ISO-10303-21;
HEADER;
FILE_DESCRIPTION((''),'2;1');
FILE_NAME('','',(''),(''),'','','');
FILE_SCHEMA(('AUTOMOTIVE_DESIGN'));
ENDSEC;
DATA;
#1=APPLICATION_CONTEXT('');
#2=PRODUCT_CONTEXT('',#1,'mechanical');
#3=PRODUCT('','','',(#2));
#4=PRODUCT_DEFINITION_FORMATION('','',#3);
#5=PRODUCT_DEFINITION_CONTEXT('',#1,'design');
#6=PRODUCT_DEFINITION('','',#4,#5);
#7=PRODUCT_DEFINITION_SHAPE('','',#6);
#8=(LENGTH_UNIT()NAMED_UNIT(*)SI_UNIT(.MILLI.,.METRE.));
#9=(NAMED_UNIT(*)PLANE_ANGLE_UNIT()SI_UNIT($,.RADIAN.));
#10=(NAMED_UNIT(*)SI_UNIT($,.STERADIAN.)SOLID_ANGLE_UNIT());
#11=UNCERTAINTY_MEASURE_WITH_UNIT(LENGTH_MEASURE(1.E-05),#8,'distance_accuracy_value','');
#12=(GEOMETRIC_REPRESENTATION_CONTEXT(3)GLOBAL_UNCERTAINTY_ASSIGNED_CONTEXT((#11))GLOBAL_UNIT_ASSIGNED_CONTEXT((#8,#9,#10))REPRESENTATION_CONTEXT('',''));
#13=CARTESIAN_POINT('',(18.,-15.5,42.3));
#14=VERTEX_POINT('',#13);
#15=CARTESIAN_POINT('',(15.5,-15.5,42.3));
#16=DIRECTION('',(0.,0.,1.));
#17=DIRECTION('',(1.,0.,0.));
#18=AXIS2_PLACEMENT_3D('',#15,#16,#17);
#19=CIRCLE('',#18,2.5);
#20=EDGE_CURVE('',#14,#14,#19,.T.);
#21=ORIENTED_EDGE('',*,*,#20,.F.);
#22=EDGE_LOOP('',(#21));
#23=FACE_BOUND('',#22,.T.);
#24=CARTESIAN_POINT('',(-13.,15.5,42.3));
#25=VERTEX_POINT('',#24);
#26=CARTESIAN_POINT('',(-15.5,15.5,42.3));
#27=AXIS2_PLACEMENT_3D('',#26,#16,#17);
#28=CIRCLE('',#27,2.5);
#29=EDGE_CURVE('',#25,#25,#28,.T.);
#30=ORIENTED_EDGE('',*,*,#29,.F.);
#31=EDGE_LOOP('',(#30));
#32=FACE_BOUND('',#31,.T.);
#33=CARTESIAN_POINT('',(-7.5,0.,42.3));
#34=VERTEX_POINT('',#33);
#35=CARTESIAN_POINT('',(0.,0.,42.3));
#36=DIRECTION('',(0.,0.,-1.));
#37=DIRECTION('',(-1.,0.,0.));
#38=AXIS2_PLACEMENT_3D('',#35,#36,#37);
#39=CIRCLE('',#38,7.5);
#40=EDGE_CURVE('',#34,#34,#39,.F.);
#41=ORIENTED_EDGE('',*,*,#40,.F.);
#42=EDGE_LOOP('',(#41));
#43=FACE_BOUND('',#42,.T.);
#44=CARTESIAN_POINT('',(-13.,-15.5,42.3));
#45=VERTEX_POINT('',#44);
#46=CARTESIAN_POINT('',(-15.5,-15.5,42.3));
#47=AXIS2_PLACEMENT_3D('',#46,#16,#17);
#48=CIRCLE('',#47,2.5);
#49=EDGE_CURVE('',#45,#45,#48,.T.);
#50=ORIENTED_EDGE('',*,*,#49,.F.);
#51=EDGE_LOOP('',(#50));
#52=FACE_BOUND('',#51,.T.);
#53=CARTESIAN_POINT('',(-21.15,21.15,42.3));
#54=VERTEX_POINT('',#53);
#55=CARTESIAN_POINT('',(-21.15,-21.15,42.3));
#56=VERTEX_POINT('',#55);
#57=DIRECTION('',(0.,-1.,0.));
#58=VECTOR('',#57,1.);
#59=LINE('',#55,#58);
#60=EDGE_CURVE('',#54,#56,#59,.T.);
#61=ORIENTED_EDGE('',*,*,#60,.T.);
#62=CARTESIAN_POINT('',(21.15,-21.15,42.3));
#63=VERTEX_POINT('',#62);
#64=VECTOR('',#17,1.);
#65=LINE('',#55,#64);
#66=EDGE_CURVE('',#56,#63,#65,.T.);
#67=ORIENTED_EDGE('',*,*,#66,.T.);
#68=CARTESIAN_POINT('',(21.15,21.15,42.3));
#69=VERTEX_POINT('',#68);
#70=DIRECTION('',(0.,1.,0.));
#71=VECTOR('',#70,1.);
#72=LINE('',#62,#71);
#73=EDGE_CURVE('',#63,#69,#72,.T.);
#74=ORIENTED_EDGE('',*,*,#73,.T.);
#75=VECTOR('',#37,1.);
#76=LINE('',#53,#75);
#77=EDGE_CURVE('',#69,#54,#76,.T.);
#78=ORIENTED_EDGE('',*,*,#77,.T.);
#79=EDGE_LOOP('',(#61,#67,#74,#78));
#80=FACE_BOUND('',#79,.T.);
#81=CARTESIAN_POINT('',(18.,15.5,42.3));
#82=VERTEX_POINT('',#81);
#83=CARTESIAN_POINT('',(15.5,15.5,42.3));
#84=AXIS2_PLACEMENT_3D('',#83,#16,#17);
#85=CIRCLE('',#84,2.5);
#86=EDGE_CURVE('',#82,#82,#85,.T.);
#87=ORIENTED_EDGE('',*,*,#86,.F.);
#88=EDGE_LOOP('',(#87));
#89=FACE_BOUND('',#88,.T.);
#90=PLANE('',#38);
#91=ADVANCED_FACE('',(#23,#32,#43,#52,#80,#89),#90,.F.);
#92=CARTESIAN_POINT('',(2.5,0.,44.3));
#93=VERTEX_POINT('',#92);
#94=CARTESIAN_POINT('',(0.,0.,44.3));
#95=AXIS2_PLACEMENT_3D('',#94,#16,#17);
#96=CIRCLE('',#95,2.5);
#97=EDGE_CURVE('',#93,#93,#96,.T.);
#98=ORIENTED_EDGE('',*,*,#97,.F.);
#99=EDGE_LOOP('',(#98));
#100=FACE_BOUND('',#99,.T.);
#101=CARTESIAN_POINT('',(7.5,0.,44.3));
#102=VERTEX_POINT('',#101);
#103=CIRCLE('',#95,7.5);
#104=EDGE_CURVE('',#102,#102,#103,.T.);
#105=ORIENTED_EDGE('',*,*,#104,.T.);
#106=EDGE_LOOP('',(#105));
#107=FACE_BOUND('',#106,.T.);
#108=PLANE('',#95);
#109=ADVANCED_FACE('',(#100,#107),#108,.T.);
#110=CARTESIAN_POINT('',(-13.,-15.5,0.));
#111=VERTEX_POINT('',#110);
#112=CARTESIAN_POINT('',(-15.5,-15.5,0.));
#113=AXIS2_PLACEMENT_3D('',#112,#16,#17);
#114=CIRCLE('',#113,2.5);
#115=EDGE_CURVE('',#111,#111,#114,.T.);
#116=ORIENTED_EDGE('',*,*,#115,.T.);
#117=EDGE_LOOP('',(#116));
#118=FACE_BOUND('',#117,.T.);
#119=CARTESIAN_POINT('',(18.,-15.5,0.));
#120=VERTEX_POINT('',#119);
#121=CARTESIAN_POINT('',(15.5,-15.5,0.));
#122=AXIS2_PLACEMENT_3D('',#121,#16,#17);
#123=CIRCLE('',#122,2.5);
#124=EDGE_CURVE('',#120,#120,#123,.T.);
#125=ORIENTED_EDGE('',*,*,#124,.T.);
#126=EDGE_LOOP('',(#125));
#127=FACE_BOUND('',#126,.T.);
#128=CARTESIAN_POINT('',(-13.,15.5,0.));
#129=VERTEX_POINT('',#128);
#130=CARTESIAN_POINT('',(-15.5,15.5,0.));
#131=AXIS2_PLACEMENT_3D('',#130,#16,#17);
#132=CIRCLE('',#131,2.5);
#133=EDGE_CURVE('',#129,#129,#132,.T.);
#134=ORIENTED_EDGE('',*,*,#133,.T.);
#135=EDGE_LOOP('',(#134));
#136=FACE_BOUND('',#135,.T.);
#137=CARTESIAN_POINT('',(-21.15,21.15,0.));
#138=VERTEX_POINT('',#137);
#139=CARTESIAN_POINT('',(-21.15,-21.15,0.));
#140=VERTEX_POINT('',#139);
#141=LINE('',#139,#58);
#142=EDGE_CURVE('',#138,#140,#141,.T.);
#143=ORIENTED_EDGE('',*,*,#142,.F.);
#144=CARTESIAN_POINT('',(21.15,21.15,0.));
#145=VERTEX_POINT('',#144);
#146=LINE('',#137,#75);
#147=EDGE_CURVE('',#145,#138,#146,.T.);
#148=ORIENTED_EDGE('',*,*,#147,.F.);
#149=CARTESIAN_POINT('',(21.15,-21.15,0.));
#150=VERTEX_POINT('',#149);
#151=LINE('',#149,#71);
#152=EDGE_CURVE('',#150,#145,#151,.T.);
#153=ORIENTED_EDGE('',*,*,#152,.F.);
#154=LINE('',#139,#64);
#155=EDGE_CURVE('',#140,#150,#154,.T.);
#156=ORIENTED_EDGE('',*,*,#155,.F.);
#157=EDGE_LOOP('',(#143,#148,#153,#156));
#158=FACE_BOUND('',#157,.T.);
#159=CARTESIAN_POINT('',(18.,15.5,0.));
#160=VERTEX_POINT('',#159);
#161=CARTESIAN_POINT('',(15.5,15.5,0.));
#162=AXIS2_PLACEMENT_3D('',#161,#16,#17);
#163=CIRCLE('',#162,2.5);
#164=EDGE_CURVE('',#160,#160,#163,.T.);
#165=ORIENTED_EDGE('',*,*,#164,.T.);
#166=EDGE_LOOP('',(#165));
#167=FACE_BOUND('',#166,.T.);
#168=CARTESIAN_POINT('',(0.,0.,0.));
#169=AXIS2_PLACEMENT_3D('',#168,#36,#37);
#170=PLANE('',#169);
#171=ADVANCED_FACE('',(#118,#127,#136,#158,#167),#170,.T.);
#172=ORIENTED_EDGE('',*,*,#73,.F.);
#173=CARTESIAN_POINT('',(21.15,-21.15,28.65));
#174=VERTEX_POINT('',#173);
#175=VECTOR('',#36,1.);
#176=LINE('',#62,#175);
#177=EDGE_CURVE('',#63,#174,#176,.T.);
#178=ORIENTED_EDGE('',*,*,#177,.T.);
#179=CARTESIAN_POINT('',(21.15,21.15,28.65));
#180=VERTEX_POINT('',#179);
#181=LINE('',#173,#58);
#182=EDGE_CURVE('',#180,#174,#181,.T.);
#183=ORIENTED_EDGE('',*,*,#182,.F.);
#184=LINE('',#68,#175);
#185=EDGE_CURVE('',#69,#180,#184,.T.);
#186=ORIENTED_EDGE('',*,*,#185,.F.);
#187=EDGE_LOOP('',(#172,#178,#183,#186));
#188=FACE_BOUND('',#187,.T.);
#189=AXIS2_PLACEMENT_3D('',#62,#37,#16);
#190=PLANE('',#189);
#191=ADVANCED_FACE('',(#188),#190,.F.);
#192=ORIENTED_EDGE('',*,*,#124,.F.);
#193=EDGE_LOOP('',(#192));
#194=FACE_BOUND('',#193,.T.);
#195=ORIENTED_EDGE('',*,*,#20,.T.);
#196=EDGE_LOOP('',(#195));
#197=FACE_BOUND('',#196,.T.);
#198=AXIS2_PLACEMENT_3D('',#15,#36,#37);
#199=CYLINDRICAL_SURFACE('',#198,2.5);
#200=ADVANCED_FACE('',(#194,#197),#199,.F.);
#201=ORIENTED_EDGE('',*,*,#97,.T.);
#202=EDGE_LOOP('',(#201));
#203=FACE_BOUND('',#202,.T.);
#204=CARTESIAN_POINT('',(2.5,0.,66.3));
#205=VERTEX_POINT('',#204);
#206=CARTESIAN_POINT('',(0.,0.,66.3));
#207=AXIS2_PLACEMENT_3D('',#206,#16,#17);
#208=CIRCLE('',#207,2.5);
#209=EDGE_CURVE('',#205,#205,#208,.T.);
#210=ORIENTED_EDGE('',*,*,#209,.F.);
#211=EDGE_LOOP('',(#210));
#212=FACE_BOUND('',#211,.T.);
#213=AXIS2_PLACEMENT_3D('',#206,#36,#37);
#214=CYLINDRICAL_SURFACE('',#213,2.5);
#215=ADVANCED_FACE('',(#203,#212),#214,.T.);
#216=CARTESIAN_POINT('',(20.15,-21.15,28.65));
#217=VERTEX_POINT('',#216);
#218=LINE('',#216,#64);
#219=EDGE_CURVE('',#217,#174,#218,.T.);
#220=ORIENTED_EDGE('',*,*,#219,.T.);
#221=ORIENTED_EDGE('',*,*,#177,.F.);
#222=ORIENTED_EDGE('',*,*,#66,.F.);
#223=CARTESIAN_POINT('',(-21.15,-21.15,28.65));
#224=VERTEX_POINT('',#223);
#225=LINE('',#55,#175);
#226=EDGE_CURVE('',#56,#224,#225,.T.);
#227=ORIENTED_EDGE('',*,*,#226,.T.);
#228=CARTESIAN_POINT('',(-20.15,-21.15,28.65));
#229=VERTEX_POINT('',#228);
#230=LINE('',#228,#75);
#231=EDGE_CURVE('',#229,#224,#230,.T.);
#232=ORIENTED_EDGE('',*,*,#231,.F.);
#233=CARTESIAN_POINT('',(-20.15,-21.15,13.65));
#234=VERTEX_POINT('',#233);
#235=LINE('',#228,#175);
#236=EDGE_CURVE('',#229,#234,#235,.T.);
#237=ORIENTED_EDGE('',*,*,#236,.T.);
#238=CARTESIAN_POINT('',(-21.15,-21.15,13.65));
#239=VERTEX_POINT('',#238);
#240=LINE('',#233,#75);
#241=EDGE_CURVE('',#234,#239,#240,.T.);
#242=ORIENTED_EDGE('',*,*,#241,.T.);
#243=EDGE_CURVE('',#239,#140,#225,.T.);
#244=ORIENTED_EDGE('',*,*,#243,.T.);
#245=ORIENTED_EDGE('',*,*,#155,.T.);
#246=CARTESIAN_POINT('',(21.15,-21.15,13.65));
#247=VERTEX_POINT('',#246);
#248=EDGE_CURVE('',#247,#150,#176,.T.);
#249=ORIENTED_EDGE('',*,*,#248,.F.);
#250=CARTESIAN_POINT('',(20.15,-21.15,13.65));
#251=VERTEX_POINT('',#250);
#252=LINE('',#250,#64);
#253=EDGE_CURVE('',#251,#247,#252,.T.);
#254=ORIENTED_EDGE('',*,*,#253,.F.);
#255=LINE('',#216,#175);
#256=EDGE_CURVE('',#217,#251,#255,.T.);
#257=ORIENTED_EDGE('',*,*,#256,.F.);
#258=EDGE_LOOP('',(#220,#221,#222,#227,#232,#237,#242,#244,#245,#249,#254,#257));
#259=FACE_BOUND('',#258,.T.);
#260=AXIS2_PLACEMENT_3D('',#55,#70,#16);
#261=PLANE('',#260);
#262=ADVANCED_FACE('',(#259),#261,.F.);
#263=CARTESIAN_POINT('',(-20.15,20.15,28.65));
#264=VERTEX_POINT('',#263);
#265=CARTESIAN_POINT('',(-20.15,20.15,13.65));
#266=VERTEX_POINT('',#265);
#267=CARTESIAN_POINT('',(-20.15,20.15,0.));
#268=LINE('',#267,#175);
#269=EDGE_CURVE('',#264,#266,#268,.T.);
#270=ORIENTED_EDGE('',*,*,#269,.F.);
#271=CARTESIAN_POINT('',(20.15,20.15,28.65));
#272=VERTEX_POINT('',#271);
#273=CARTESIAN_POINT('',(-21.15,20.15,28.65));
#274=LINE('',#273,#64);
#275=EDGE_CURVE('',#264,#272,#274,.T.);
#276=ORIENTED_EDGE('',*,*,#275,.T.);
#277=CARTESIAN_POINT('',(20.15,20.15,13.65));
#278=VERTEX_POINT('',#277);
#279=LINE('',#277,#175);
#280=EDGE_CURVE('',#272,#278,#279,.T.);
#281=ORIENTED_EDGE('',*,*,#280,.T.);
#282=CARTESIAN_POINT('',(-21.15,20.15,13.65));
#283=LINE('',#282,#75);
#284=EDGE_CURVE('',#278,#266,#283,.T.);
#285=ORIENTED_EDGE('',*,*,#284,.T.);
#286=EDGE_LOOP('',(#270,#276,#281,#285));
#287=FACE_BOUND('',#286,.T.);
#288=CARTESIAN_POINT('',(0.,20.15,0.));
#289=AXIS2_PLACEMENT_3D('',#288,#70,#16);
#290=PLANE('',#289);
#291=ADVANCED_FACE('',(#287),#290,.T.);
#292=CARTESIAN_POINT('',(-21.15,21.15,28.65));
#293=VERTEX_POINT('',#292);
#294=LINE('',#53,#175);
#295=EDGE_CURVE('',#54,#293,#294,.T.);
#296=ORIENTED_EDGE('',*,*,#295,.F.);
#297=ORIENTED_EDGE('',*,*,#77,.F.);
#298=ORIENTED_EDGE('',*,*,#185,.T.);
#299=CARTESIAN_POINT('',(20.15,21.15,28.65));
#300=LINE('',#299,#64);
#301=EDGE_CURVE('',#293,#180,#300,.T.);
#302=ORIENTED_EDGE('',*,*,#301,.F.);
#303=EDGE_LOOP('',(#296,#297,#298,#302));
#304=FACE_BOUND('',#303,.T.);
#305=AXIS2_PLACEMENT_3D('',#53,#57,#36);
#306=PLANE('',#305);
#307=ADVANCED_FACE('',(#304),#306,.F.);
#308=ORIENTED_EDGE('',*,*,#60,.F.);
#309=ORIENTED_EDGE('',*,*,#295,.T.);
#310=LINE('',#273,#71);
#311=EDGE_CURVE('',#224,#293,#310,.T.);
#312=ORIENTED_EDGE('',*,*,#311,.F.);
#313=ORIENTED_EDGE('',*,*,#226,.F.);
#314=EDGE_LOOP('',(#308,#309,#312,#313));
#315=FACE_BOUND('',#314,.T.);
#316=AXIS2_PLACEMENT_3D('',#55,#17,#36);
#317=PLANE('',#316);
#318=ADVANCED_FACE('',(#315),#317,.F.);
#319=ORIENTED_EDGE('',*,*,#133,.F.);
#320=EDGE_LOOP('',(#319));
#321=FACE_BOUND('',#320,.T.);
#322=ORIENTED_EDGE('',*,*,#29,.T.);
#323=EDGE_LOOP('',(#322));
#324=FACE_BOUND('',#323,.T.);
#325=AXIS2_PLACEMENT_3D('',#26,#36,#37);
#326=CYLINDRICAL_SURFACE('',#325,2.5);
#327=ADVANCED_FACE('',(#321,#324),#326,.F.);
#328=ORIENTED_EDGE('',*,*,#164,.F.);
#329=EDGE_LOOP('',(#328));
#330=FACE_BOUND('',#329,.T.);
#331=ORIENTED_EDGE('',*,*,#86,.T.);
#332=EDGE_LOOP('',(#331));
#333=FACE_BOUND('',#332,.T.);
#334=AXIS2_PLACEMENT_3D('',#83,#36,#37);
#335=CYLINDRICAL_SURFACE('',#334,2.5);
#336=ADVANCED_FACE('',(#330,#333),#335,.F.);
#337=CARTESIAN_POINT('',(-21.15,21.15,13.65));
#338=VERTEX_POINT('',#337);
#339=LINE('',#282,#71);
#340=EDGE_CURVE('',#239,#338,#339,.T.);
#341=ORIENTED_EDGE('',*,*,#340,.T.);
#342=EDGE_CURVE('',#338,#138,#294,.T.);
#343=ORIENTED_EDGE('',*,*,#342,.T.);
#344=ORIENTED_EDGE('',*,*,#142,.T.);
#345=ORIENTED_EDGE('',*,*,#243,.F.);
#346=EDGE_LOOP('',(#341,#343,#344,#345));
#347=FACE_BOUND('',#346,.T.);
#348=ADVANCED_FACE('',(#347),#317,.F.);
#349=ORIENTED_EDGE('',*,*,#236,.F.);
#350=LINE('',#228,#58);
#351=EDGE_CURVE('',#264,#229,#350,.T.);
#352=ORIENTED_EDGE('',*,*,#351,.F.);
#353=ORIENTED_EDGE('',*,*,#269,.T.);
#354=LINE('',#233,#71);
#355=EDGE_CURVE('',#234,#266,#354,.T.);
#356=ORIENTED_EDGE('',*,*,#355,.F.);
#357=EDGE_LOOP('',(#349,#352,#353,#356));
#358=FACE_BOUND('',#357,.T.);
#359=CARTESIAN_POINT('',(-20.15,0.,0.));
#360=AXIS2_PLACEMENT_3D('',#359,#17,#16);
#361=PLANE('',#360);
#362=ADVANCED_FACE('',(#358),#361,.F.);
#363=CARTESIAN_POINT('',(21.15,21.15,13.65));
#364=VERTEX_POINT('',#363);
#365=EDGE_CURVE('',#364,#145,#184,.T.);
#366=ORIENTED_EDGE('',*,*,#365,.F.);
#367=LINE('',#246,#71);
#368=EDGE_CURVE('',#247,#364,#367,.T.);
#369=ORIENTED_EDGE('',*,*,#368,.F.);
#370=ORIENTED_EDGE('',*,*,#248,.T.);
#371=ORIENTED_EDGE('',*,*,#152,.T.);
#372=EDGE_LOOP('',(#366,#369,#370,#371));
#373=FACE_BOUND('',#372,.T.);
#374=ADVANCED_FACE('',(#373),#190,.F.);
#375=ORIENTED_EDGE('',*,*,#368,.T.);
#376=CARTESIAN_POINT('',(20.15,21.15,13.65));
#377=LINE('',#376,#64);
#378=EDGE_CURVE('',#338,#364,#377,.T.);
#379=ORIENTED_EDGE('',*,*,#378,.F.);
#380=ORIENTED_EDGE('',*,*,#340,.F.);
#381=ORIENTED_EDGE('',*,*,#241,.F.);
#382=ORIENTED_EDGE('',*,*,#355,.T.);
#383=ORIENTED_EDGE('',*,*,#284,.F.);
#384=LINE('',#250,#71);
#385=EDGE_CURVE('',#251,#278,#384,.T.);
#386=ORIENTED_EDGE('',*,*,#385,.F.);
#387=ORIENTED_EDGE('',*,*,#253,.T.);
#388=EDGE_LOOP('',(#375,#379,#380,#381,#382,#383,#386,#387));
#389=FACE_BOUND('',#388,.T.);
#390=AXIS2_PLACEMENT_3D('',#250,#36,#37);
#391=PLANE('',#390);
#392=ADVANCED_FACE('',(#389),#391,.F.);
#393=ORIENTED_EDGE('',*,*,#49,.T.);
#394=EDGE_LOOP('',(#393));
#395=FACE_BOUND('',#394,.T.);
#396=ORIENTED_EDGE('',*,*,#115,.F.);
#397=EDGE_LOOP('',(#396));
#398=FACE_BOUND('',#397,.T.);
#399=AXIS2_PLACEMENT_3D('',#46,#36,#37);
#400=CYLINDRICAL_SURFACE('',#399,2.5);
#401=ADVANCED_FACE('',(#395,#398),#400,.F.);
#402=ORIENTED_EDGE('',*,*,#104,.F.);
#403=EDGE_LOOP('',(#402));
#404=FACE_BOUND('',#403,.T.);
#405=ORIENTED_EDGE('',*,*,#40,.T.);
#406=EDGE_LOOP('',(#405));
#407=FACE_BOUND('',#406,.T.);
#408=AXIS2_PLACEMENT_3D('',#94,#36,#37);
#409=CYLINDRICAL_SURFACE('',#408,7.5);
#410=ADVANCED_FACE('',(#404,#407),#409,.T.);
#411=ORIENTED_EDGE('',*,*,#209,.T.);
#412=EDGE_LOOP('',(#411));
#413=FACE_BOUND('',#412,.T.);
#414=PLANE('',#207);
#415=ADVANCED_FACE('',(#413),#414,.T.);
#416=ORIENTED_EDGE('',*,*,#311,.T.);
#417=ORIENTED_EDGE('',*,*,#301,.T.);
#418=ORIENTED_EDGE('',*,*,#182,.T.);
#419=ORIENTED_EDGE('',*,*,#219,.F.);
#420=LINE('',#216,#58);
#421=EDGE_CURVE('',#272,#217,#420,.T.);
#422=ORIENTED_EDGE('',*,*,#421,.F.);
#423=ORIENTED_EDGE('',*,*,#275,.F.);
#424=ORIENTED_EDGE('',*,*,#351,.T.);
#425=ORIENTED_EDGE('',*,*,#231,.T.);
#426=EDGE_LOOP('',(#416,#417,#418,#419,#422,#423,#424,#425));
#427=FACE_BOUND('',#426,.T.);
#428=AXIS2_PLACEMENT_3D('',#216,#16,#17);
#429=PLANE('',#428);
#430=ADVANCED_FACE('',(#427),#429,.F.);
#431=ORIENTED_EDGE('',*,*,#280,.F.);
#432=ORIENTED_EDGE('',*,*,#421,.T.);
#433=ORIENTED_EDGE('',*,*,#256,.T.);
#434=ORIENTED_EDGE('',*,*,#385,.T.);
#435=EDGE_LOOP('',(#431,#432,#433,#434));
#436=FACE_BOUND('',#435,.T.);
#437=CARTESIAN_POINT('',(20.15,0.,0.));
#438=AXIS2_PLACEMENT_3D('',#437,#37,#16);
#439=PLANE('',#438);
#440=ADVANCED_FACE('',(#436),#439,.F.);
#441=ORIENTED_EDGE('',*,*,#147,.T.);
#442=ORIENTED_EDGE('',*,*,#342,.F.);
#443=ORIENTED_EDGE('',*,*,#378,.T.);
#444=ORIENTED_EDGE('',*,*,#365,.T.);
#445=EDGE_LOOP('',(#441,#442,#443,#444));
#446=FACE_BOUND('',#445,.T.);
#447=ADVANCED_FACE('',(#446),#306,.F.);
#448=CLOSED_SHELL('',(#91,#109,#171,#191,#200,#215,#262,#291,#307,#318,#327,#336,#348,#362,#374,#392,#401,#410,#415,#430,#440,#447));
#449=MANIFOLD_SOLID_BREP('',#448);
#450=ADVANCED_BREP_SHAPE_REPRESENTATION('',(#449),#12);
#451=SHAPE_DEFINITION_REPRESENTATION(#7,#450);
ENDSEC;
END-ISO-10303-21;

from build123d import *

# Parameters (mm, degrees)
SKETCH1_W           = 42.3
SKETCH1_H           = 42.3
SKETCH1_R           = 2.5
BOSS_EXTRUDE1_DEPTH = 42.3
SKETCH2_R           = 2.5
BOSS_EXTRUDE2_DEPTH = 24
SKETCH3_R           = 7.5
BOSS_EXTRUDE3_DEPTH = 2
SKETCH4_W           = 15
SKETCH4_H           = 42.3
CUT_EXTRUDE1_DEPTH  = 1
SKETCH5_W           = 41.3
SKETCH5_H           = 15
CUT_EXTRUDE2_DEPTH  = 1


with BuildPart() as part:
    # Sketch1 → Boss-Extrude1 (new body)
    with BuildSketch(Plane.XY):
        Rectangle(SKETCH1_W, SKETCH1_H)
        with Locations((-15.5, 15.5)):
            Circle(SKETCH1_R, mode=Mode.SUBTRACT)
        with Locations((15.5, 15.5)):
            Circle(SKETCH1_R, mode=Mode.SUBTRACT)
        with Locations((15.5, -15.5)):
            Circle(SKETCH1_R, mode=Mode.SUBTRACT)
        with Locations((-15.5, -15.5)):
            Circle(SKETCH1_R, mode=Mode.SUBTRACT)
    extrude(amount=BOSS_EXTRUDE1_DEPTH)

    # Sketch2 → Boss-Extrude2 (add)
    with BuildSketch(Plane.XY.offset(42.3)):
        Circle(SKETCH2_R)
    extrude(amount=BOSS_EXTRUDE2_DEPTH)

    # Sketch3 → Boss-Extrude3 (add)
    with BuildSketch(Plane.XY.offset(42.3)):
        Circle(SKETCH3_R)
    extrude(amount=BOSS_EXTRUDE3_DEPTH)

    # Sketch4 → Cut-Extrude1 (cut)
    with BuildSketch(Plane(origin=(21.15, 0, 0), x_dir=(0, 0, -1), z_dir=(1, 0, 0))):
        with Locations((-21.15, 0)):
            Rectangle(SKETCH4_W, SKETCH4_H)
    cut_extrude1 = extrude(amount=-CUT_EXTRUDE1_DEPTH, mode=Mode.SUBTRACT)

    # Sketch5 → Cut-Extrude2 (cut)
    with BuildSketch(Plane(origin=(0, 21.15, 0), x_dir=(1, 0, 0), z_dir=(0, 1, 0))):
        with Locations((-0.5, -21.15)):
            Rectangle(SKETCH5_W, SKETCH5_H)
    extrude(amount=-CUT_EXTRUDE2_DEPTH, mode=Mode.SUBTRACT)

    # Mirror1: Cut-Extrude1 across plane
    add(cut_extrude1.mirror(Plane(origin=(0, 0, 0), x_dir=(0, 0, 1), z_dir=(1, 0, 0))), mode=Mode.SUBTRACT)


solid = part.part
